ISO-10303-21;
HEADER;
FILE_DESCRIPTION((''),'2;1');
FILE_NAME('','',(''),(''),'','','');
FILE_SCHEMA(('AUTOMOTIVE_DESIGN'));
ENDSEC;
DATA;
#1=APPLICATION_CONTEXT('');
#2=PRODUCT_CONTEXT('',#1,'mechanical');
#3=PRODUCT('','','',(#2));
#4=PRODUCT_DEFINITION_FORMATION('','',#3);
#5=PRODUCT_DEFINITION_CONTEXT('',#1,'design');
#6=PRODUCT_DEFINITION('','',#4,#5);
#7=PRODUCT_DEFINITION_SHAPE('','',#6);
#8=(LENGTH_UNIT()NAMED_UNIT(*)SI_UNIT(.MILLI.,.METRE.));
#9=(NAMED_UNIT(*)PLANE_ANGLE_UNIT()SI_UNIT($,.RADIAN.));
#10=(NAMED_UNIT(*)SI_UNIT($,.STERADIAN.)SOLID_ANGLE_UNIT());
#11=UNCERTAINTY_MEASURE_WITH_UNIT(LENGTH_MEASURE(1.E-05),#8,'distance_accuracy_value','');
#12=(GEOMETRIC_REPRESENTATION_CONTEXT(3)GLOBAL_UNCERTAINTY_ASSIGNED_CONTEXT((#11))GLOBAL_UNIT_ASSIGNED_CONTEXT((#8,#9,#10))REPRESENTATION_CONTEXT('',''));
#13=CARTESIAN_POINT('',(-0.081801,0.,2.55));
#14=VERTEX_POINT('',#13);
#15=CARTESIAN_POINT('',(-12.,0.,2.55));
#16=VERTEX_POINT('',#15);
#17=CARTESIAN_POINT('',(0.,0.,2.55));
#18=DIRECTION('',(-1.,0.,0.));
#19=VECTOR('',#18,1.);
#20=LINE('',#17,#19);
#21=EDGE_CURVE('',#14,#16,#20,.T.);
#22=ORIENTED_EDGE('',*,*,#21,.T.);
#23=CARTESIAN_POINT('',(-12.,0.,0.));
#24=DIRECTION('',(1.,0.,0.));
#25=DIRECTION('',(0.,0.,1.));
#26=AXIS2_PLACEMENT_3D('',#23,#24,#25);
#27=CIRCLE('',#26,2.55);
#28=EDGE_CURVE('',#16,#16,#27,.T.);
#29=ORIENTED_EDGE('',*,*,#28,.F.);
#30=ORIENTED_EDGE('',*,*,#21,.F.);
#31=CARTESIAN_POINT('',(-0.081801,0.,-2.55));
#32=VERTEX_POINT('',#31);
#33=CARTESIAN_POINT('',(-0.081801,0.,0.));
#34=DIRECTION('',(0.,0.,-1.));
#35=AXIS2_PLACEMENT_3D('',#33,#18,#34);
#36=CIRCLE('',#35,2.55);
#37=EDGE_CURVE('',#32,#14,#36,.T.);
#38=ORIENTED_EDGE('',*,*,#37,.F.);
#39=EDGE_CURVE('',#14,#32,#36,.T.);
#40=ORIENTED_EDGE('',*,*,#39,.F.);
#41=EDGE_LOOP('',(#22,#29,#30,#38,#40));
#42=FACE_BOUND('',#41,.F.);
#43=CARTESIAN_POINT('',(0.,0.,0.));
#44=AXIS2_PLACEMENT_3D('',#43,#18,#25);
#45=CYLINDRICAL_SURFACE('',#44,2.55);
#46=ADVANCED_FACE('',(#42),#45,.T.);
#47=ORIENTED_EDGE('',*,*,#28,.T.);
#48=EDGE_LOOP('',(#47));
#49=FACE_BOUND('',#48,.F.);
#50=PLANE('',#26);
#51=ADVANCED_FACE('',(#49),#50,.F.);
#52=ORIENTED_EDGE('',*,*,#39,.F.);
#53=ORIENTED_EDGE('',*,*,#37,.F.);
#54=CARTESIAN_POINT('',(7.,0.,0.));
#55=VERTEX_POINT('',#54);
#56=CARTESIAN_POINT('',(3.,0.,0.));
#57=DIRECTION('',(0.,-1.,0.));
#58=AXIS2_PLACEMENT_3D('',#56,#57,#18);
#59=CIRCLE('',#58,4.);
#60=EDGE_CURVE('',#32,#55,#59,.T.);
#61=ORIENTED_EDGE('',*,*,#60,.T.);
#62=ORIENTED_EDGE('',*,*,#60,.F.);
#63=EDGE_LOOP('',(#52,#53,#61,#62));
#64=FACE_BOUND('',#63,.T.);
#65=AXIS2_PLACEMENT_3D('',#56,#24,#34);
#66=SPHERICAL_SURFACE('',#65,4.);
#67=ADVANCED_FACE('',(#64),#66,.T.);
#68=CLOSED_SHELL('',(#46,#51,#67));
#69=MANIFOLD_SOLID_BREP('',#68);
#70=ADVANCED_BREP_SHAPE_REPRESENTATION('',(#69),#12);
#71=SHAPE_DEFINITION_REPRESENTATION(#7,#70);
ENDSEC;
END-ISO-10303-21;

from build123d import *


with BuildPart() as f1:
    # F0 (on Front) → F1 (revolve)
    with BuildSketch(Plane.XZ):
        Polygon((0, 0), (0, 2.55), (-12, 2.55), (-12, 0), (-1, 0), align=None)
    revolve(axis=Axis((-6, 0, 0), (1, 0, 0)))

    # F0 (on Front) → F2 (revolve)
    with BuildSketch(Plane.XZ):
        with BuildLine():
            Line((7, 0), (0, 0))
            Line((0, 0), (-1, 0))
            ThreePointArc((-1, 0), (3, -4), (7, 0))
        make_face()
    revolve(axis=Axis((3, 0, 0), (1, 0, 0)))


solid = f1.part
